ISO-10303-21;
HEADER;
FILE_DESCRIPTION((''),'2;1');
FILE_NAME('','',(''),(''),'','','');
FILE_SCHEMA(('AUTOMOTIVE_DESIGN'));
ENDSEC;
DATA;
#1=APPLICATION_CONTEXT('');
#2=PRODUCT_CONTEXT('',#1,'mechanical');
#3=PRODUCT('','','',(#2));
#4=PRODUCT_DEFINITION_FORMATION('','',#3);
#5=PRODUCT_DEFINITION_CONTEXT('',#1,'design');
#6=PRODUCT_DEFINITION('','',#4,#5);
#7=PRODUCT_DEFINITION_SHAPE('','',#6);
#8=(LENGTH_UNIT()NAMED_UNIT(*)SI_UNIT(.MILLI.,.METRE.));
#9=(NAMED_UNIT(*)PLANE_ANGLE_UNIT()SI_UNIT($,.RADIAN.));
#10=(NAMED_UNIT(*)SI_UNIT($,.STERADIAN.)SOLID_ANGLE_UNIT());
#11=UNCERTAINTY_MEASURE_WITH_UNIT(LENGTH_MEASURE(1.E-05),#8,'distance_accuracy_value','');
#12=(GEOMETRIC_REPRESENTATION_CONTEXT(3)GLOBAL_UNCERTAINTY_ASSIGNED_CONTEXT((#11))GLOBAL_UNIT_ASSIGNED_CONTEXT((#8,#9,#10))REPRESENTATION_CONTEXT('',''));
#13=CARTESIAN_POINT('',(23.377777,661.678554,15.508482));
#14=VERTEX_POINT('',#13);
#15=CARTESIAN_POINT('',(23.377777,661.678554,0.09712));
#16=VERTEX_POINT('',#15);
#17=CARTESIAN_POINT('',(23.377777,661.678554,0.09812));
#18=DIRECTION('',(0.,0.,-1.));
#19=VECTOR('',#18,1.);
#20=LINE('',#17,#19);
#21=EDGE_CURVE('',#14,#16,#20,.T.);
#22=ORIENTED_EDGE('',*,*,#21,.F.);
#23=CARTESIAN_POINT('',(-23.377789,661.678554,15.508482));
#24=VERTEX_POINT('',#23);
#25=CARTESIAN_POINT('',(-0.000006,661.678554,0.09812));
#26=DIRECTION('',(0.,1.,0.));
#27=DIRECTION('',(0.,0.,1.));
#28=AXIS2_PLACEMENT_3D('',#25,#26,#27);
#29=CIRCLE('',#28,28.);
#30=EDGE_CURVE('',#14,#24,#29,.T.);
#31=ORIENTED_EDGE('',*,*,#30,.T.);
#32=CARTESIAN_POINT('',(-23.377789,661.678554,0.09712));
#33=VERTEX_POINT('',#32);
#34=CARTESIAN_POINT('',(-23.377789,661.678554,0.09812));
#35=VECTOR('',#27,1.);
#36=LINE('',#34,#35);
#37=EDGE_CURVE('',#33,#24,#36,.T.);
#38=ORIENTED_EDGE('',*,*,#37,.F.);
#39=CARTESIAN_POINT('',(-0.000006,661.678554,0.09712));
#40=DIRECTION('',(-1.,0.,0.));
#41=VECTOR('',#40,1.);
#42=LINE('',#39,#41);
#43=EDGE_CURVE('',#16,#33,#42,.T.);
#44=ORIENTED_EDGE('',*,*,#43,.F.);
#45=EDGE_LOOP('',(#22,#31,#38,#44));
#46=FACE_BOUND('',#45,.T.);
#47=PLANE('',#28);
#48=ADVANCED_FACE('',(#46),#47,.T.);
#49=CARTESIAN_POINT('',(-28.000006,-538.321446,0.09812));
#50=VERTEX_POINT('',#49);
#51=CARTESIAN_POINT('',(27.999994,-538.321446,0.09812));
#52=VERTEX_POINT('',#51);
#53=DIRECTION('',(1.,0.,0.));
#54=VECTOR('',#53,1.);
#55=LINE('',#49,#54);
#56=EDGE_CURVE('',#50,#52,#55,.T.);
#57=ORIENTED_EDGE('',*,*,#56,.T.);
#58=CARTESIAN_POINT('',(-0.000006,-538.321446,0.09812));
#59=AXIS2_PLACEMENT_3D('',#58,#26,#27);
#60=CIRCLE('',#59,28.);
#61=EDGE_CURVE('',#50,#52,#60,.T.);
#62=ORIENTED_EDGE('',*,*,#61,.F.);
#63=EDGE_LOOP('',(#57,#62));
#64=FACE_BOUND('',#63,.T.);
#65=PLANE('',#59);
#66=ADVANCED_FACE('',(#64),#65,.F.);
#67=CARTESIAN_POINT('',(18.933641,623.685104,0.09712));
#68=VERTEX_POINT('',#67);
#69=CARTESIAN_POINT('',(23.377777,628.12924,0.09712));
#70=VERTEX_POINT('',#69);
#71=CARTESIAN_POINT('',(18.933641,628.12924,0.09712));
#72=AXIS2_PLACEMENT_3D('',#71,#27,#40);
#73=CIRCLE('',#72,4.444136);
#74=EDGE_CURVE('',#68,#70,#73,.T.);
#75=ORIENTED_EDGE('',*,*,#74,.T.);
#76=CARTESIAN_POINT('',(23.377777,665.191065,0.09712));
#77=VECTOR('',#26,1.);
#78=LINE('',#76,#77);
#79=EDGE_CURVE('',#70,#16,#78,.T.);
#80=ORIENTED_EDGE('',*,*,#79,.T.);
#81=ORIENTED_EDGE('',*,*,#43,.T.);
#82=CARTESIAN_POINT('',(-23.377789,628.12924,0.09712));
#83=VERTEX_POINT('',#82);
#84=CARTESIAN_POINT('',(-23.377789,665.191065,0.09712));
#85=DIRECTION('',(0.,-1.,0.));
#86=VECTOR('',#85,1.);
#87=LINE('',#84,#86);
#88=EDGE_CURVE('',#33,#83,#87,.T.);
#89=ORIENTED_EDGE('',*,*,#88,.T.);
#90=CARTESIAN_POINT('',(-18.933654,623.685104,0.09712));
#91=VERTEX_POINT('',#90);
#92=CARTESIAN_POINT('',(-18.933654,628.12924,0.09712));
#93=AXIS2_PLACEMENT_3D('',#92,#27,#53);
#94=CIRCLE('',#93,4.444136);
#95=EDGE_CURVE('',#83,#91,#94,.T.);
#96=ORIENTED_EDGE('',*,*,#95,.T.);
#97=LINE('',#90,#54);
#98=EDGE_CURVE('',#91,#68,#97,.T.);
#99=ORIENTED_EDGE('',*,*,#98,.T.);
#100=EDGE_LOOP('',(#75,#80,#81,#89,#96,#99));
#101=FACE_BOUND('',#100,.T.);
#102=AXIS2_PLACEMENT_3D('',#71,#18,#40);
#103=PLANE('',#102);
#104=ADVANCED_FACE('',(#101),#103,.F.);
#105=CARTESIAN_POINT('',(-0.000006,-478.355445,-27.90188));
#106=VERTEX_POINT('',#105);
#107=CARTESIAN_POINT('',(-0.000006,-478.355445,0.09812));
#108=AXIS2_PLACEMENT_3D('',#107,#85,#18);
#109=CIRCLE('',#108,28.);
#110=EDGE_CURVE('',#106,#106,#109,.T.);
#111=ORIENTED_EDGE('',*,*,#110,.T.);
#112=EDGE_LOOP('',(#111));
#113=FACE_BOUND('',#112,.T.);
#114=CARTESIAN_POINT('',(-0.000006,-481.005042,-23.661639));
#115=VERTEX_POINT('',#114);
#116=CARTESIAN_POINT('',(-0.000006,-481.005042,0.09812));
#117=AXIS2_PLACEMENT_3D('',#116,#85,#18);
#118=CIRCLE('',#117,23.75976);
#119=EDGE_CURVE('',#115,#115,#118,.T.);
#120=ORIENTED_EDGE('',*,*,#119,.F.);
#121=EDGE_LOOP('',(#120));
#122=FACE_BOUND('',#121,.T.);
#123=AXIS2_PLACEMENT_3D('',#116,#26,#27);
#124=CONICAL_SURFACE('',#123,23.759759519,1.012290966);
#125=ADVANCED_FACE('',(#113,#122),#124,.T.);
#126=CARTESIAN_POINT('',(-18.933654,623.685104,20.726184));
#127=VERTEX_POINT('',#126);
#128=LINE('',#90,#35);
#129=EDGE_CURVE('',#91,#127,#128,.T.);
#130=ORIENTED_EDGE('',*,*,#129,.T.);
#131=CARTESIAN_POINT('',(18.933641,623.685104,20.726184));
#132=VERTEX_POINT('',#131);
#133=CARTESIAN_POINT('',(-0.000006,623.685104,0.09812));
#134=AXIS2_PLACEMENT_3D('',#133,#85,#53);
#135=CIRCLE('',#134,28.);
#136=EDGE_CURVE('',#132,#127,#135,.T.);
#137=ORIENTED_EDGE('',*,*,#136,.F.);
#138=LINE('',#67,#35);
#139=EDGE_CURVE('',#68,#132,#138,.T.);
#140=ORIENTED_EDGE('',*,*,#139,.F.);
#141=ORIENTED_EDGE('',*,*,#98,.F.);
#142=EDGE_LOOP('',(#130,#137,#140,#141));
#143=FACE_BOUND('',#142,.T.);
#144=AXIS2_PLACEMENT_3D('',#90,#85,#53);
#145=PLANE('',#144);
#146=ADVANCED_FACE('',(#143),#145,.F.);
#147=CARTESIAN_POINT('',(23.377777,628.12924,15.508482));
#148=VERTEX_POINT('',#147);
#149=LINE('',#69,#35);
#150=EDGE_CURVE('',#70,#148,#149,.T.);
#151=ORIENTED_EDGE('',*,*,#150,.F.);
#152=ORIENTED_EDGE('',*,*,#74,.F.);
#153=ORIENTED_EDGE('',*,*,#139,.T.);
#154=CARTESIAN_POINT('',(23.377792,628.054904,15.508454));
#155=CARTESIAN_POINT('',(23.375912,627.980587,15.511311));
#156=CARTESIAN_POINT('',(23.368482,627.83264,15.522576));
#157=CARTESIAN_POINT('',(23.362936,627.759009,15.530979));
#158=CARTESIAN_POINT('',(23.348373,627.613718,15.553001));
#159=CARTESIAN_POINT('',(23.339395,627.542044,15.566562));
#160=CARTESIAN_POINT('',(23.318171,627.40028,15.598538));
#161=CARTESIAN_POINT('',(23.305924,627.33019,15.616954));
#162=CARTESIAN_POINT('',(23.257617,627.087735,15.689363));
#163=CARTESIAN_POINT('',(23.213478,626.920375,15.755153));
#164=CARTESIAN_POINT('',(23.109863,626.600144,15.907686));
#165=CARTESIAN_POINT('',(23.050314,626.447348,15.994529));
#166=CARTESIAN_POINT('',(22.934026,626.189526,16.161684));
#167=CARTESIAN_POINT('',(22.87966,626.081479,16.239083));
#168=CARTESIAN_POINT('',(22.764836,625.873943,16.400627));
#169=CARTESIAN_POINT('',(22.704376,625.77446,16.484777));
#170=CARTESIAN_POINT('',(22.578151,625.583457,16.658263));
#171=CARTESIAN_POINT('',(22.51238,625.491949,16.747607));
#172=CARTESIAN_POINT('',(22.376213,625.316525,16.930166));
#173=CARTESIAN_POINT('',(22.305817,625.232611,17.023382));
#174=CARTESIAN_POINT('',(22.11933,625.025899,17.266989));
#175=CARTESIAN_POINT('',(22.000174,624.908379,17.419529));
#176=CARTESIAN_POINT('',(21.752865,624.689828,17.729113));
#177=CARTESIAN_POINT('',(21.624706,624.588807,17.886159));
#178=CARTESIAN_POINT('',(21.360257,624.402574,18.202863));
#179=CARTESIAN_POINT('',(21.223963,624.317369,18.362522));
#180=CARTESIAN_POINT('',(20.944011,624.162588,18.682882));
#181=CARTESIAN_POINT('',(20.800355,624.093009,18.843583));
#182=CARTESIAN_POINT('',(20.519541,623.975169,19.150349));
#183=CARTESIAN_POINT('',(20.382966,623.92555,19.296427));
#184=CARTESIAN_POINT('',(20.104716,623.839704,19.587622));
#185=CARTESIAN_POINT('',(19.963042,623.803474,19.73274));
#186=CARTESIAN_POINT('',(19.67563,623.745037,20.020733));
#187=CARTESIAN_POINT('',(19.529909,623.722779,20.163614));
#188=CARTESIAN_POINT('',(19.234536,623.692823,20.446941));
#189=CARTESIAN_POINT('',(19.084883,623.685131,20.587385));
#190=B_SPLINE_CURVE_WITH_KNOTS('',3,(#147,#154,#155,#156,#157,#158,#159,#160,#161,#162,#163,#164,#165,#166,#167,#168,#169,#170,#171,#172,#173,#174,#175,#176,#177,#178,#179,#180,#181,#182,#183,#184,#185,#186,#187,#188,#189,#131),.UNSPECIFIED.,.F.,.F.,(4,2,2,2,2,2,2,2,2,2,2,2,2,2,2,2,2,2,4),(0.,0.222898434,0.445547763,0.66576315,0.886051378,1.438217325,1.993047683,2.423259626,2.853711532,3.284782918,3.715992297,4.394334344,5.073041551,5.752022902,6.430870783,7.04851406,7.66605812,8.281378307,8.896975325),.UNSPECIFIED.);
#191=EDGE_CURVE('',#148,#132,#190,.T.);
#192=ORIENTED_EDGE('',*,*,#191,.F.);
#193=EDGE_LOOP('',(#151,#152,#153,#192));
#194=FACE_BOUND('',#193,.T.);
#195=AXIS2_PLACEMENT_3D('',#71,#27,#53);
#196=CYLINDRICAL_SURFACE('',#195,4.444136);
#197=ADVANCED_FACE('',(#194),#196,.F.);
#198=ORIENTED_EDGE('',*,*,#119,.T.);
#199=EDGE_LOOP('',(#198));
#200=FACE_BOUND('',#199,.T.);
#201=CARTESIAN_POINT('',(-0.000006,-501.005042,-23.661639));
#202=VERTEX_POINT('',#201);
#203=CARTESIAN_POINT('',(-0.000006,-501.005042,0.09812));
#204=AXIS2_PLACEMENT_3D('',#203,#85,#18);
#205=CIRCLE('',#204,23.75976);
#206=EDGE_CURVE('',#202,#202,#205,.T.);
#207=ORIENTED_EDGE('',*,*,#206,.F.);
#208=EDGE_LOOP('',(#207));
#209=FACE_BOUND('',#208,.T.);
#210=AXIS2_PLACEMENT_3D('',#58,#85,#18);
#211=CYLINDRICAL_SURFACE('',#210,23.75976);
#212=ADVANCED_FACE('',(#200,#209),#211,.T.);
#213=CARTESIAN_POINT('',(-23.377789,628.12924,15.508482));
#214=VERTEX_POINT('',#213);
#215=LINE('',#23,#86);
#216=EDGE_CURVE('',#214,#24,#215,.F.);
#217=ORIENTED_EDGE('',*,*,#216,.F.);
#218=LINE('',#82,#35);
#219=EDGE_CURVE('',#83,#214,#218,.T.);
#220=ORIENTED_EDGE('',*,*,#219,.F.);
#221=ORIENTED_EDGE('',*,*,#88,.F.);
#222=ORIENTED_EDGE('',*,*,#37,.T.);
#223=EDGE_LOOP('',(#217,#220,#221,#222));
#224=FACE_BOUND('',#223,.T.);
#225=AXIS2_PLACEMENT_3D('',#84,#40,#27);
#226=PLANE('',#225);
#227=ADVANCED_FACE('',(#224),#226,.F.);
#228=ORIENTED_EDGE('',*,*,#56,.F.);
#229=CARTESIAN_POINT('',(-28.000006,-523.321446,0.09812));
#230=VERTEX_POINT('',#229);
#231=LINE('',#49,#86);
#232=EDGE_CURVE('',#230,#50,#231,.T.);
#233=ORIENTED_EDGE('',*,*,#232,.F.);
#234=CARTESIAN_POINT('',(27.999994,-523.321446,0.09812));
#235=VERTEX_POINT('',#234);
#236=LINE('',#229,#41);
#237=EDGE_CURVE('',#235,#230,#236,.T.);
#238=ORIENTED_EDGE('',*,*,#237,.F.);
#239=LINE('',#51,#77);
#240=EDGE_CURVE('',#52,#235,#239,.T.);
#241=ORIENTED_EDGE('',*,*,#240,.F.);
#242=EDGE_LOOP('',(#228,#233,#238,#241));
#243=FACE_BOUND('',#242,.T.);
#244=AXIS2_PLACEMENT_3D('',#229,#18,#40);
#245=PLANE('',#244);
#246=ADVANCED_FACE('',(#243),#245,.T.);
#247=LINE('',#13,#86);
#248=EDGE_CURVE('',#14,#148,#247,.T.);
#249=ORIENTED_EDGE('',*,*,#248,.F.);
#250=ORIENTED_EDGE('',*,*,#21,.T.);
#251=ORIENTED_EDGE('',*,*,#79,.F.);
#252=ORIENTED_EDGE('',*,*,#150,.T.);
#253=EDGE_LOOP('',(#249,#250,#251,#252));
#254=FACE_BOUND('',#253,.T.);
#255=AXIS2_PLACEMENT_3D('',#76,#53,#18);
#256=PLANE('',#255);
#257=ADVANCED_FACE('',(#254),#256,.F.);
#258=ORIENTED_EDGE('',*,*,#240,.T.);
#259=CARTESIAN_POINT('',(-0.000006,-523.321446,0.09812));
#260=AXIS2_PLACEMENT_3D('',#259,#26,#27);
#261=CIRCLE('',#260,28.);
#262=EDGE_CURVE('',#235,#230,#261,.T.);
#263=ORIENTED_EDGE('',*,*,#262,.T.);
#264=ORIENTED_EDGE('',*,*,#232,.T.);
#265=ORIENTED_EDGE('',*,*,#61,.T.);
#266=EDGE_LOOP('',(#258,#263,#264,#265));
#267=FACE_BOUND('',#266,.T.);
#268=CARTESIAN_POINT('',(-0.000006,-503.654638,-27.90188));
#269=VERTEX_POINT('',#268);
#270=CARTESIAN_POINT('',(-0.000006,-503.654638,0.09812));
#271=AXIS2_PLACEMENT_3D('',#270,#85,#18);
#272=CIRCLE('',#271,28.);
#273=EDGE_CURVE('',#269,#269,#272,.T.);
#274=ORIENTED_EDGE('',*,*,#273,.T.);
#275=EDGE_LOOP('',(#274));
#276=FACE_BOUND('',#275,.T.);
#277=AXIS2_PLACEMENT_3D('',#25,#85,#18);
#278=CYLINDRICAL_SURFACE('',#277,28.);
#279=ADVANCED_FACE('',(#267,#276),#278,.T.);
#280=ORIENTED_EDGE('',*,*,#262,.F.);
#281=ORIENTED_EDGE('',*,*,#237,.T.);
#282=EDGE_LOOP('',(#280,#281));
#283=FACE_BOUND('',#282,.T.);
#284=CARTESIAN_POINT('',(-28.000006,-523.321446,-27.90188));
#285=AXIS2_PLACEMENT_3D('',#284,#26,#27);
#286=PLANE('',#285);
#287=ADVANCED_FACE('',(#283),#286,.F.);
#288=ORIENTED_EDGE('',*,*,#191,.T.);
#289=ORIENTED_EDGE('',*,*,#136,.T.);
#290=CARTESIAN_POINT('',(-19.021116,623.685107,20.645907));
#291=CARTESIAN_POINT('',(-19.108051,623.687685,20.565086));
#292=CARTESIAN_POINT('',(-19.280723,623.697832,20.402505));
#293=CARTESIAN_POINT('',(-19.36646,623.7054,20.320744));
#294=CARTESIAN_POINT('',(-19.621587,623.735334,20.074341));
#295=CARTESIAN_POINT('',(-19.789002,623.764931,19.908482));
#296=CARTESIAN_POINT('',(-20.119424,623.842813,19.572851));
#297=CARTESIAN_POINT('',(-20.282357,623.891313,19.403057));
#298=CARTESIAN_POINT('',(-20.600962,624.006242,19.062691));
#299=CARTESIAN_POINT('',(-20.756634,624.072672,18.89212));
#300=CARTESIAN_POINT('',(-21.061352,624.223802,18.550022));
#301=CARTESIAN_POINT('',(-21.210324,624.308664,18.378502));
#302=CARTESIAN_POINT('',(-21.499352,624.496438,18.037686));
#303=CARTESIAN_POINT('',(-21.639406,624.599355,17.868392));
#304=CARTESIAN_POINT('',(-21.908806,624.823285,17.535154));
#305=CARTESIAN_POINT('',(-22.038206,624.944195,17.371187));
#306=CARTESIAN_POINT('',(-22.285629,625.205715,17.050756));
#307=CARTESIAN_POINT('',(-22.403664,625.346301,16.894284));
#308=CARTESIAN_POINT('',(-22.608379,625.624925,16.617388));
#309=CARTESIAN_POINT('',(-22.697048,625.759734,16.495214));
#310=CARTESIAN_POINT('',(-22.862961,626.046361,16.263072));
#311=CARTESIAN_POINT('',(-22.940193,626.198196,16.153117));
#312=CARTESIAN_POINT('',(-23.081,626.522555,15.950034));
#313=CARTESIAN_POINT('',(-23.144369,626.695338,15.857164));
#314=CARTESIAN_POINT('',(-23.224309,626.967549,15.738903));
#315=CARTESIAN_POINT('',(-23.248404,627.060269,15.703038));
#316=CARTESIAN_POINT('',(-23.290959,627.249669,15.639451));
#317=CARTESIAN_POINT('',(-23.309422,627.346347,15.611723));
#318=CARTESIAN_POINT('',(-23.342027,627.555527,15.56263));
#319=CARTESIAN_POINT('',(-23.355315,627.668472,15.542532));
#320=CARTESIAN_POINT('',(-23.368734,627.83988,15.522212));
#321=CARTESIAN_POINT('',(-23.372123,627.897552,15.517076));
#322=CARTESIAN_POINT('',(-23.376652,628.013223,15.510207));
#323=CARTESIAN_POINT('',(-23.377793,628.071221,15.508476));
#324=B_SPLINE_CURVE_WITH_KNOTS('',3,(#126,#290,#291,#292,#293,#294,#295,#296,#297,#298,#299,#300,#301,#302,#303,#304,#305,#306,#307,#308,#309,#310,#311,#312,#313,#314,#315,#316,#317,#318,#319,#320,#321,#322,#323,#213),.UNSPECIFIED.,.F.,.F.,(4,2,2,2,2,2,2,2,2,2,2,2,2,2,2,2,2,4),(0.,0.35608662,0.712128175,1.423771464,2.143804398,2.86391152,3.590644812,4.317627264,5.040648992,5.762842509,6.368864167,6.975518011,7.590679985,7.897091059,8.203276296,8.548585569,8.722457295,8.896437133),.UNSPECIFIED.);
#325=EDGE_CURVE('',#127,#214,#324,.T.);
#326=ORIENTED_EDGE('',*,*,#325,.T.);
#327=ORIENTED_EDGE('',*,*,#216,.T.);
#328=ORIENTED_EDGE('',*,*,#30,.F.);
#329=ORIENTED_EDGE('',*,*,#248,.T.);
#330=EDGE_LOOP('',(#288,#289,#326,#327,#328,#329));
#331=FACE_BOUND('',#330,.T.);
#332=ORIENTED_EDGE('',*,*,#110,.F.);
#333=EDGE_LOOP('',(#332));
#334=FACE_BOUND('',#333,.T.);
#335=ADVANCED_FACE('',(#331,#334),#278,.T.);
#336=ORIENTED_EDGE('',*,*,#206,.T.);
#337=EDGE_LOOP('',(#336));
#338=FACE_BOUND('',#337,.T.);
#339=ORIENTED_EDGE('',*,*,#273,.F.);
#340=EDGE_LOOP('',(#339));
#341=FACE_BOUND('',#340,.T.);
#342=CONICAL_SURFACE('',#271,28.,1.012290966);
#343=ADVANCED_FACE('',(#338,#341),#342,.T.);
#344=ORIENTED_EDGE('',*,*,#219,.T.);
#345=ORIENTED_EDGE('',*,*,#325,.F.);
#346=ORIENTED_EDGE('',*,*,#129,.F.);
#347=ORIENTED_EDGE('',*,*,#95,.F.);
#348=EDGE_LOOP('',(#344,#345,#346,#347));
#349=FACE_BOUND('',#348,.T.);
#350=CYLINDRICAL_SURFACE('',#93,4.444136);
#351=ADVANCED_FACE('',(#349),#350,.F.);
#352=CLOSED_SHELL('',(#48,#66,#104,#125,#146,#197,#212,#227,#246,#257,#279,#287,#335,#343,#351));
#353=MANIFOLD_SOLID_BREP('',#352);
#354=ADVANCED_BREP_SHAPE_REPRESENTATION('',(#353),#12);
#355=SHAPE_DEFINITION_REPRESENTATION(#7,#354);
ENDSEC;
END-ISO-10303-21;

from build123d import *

# Parameters (mm, degrees)
SKETCH_2_R               = 2.8
EXTRUDE_1_DEPTH          = 120
SKETCH_3_W               = 5.6
SKETCH_3_H               = 1.5
CUT_EXTRUDE_2_DEPTH      = 3.8
CUT_EXTRUDE_6_DEPTH      = 3.8
CUT_EXTRUDE_6_DEPTH_BACK = 0.0001
SCALE_1_SCALE            = 10


with BuildPart() as part:
    # Эскиз2 → Вытянуть1 (new body)
    with BuildSketch(Plane(origin=(0, 0, 0), x_dir=(1, 0, 0), z_dir=(0, 1, 0))):
        Circle(SKETCH_2_R)
    extrude(amount=EXTRUDE_1_DEPTH)

    # Эскиз3 → Вытянуть2 (cut, through all)
    with BuildSketch(Plane.XY):
        with Locations((0, 0.75)):
            Rectangle(SKETCH_3_W, SKETCH_3_H)
    extrude(amount=-CUT_EXTRUDE_2_DEPTH, mode=Mode.SUBTRACT)

    # Эскиз5 → Вырез-Повернуть1 (revolve, cut)
    with BuildSketch(Plane.XY):
        Polygon((-2.375975952, 5.731640408), (-2.8, 5.99660004), (-2.8, 3.466680776), (-2.375975952, 3.731640408), align=None)
    revolve(axis=Axis((0, 0, 0), (0, 1, 0)), mode=Mode.SUBTRACT)

    # Эскиз6 → Вытянуть6 (cut, two sides)
    with BuildSketch(Plane.XY) as cut_extrude_6_sk:
        with BuildLine():
            Line((-2.337778294, 120.351251099), (-2.337778294, 116.645068544))
            ThreePointArc((-2.337778294, 116.645068544), (-2.207612569, 116.330820685), (-1.89336471, 116.20065496))
            Line((-1.89336471, 116.20065496), (1.89336471, 116.20065496))
            ThreePointArc((1.89336471, 116.20065496), (2.207612569, 116.330820685), (2.337778294, 116.645068544))
            Line((2.337778294, 116.645068544), (2.337778294, 120.351251099))
            Line((2.337778294, 120.351251099), (-2.337778294, 120.351251099))
        make_face()
    extrude(amount=CUT_EXTRUDE_6_DEPTH, mode=Mode.SUBTRACT)
    extrude(cut_extrude_6_sk.sketch, amount=-CUT_EXTRUDE_6_DEPTH_BACK, mode=Mode.SUBTRACT)


with BuildPart() as part_1:
    # Масштаб1: scaled about (-2e-09, 59.813507697, -0.010902497)
    add(part.part.scale(SCALE_1_SCALE).moved(Location((1.8e-08, -538.321569273, 0.098122473))))


solid = part_1.part
